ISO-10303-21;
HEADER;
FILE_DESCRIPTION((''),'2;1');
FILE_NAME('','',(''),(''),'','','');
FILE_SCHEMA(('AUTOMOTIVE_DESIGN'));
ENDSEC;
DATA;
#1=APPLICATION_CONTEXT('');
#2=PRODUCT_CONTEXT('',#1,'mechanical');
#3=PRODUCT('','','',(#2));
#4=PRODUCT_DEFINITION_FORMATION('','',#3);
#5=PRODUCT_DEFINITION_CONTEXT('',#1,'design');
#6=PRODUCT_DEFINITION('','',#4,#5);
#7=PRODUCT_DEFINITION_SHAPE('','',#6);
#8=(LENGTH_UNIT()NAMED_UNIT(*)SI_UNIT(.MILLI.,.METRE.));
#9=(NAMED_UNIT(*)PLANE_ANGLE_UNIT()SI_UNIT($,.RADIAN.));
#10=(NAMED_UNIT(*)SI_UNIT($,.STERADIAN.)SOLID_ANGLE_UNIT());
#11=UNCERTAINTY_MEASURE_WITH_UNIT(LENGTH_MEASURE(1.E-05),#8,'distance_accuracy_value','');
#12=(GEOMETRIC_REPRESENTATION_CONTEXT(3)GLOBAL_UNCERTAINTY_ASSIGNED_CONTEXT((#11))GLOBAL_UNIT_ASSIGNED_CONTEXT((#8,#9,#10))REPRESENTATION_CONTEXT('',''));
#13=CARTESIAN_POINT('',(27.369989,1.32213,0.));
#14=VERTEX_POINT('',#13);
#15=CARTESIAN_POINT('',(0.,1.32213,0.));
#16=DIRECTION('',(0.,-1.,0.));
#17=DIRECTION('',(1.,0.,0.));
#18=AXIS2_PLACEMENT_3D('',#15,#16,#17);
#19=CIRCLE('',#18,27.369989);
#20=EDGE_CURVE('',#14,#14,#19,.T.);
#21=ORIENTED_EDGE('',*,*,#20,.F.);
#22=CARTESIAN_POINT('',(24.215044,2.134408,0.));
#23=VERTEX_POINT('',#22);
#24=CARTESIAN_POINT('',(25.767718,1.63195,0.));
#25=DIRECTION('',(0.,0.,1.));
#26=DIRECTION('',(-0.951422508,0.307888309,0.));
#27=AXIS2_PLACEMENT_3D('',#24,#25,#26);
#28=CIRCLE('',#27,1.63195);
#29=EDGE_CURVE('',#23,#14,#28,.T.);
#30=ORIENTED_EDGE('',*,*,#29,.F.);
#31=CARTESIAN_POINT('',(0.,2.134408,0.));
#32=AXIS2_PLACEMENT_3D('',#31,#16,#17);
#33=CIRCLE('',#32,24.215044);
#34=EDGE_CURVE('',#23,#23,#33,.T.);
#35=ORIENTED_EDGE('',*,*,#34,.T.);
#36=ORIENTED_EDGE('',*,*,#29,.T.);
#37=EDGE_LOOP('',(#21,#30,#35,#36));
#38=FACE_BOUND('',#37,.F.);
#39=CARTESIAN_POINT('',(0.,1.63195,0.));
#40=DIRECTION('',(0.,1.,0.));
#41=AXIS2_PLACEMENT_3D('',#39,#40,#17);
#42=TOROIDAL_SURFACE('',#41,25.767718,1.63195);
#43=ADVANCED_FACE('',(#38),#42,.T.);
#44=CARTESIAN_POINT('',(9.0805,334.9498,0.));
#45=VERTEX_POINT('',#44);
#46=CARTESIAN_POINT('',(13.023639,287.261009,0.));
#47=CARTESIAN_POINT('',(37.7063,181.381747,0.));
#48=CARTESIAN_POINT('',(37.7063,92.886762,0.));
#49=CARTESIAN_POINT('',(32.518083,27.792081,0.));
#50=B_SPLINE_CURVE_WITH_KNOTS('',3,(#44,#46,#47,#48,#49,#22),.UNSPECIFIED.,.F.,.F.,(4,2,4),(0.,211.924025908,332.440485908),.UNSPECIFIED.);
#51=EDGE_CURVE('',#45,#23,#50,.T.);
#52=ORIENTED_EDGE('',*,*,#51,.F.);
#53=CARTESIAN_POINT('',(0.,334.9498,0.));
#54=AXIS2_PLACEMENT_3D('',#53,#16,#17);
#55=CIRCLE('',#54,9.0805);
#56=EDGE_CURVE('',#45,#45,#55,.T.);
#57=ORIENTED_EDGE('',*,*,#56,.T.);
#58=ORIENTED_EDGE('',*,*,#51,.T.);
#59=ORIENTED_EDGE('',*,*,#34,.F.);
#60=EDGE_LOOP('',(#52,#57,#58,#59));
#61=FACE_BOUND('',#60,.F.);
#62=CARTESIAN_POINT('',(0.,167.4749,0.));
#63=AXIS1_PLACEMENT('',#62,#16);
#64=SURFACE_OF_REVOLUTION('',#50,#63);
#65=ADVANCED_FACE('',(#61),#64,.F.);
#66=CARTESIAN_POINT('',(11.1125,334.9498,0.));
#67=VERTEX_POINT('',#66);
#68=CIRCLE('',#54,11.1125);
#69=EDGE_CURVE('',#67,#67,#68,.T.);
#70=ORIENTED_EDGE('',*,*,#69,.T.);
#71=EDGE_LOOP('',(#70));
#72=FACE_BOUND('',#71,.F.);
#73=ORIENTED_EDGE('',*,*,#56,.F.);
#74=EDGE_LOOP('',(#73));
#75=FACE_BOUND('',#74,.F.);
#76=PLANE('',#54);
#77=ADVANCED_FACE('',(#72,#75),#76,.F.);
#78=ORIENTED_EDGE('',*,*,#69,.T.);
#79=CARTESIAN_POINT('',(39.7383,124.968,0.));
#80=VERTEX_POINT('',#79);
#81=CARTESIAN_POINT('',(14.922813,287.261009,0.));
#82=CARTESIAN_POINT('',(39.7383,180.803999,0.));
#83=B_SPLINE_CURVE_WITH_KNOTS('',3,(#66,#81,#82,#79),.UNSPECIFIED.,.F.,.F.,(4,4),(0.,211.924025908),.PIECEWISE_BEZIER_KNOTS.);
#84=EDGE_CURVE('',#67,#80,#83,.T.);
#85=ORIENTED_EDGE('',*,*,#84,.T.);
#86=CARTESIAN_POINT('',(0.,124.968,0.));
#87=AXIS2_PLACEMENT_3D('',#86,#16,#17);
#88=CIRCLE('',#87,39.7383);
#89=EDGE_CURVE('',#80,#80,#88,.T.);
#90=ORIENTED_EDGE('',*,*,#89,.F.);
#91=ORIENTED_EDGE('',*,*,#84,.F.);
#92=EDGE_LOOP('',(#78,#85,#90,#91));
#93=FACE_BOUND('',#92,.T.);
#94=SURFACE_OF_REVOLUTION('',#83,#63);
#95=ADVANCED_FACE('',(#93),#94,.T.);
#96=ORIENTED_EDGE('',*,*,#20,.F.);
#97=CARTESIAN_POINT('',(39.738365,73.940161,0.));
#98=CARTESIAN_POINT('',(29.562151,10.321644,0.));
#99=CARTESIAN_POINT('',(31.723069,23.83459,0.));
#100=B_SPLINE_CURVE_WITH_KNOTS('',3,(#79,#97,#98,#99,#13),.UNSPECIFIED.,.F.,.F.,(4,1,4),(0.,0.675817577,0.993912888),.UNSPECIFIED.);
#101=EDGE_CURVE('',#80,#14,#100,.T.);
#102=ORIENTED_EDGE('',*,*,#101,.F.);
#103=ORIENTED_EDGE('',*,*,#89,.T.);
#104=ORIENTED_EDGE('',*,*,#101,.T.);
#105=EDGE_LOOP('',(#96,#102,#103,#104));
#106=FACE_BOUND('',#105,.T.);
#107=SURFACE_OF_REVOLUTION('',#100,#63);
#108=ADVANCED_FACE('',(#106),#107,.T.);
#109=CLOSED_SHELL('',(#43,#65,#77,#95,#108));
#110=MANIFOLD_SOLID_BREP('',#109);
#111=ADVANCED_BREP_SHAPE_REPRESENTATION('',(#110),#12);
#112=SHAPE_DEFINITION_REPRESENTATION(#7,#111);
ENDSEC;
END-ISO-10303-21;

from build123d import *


with BuildPart() as f1:
    # F0 (on Top) → F1 (revolve)
    with BuildSketch(Plane.XY):
        with BuildLine():
            add(Edge.make_bspline(
                [(11.1125, 334.9498), (14.9228128734, 287.2610092163), (39.7383, 180.8039993048), (39.7383, 124.968)],
                knots=[0, 0, 0, 0, 211.9240259076, 211.9240259076, 211.9240259076, 211.9240259076], degree=3))
            Line((11.1125, 334.9498), (9.0805, 334.9498))
            add(Edge.make_bspline(
                [(9.0805, 334.9498), (13.0236390978, 287.2610092163), (37.7063, 181.3817471266), (37.7063, 124.968)],
                knots=[0, 0, 0, 0, 211.9240259076, 211.9240259076, 211.9240259076, 211.9240259076], degree=3))
            add(Edge.make_bspline(
                [(24.2150444251, 2.1344083266), (32.5180825361, 27.7920806149), (37.7063, 92.886762066), (37.7063, 124.968)],
                knots=[3.5505452865, 3.5505452865, 3.5505452865, 3.5505452865, 125.7747424093, 125.7747424093, 125.7747424093, 125.7747424093], degree=3))
            ThreePointArc((24.2150444251, 2.1344083266), (25.3608227894, 0.0515396814), (27.3699893714, 1.3221298981))
            add(Edge.make_bspline(
                [(39.7383, 124.968), (39.7383654602, 73.9401614559), (29.5621512843, 10.321643691), (31.7230686469, 23.8345897831), (27.3699893714, 1.3221298981)],
                knots=[0, 0, 0, 0, 0.6758175772, 0.9939128879, 0.9939128879, 0.9939128879, 0.9939128879], degree=3))
        make_face()
    revolve(axis=Axis((0, 167.4749, 0), (0, -1, 0)))


solid = f1.part
